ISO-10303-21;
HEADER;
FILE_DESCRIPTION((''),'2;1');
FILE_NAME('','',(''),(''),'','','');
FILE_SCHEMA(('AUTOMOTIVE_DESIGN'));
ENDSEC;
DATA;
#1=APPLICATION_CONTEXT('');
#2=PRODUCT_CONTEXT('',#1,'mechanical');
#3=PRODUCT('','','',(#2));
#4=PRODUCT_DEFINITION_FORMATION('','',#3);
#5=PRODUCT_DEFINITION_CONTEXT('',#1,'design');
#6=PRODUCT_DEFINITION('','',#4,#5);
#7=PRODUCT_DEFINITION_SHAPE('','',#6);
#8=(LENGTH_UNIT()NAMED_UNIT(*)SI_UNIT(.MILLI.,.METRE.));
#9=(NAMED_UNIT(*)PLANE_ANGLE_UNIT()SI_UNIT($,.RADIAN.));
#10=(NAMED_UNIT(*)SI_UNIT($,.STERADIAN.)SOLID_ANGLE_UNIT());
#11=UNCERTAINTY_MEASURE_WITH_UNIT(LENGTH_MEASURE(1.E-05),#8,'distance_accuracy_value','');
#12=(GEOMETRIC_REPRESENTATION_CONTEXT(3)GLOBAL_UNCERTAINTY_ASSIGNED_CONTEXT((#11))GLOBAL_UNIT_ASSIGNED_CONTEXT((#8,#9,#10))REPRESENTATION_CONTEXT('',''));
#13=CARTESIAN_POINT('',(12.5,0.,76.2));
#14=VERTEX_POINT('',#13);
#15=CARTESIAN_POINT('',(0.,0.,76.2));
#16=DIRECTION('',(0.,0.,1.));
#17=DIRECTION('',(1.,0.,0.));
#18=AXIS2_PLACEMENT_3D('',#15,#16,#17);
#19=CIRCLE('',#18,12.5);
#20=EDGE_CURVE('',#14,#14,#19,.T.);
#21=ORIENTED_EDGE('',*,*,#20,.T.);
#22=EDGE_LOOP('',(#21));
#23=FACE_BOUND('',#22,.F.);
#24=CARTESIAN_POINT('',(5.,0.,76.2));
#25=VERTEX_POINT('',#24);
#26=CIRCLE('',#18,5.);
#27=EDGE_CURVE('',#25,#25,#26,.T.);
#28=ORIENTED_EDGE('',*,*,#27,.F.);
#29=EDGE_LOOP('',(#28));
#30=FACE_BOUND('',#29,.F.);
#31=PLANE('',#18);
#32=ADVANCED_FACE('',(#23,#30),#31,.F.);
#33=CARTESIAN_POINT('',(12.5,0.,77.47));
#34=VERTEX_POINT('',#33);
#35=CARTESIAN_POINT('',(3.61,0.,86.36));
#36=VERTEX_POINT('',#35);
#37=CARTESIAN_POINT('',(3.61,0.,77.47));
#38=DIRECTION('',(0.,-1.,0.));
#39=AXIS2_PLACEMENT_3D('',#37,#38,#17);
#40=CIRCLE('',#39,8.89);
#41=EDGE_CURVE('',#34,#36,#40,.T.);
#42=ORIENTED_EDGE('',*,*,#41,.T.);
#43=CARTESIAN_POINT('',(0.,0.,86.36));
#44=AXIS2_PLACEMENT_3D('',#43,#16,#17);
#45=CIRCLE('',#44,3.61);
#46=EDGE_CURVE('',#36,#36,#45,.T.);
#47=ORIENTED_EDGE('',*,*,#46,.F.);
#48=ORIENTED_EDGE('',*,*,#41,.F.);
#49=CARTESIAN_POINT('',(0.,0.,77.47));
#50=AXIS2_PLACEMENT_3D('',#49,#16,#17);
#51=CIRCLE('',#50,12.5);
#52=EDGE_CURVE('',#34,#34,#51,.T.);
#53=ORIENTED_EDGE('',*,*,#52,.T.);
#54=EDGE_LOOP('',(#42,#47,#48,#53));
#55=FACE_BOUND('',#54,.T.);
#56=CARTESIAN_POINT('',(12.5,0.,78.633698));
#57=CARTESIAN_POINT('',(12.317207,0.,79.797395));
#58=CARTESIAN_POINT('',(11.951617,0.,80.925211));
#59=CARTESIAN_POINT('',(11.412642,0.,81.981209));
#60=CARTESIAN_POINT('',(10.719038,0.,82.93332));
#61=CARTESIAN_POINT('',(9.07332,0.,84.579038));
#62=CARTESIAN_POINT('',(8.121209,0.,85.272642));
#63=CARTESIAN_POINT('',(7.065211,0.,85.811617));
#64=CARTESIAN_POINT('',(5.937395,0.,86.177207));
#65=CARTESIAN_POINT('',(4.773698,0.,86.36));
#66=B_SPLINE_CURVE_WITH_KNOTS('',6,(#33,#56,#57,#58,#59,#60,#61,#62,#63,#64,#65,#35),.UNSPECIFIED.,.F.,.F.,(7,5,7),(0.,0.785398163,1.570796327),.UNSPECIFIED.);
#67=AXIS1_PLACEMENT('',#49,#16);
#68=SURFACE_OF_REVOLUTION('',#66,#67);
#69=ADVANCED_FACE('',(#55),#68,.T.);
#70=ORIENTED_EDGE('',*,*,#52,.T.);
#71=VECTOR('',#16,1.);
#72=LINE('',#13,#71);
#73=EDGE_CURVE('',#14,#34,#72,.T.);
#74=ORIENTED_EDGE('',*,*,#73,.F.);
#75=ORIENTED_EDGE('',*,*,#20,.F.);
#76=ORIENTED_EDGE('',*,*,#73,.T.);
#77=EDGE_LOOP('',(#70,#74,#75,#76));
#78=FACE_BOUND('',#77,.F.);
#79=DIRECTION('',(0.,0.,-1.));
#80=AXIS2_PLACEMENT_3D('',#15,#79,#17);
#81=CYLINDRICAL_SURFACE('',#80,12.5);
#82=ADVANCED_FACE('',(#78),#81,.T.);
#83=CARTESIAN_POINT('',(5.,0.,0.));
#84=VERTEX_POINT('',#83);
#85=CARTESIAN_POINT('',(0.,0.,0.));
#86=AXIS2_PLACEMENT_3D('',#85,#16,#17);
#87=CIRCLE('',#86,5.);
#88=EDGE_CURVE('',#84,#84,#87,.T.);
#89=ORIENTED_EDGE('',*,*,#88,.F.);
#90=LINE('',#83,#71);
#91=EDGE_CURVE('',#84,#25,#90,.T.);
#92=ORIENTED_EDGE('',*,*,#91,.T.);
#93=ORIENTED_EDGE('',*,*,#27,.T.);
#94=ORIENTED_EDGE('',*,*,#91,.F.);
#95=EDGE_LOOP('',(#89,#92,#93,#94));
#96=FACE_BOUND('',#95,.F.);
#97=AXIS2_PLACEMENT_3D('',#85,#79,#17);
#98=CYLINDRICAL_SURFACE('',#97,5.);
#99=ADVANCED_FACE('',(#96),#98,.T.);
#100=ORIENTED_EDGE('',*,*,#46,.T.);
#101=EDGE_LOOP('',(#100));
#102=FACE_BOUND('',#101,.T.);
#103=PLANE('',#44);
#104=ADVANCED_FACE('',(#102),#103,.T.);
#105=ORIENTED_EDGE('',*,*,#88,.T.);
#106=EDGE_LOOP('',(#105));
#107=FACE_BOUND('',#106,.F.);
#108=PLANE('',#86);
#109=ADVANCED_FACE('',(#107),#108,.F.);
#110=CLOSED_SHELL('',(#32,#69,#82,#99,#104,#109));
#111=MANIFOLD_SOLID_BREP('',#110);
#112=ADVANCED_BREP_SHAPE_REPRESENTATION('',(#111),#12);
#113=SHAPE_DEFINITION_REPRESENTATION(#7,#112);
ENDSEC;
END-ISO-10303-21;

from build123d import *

# Parameters (mm, degrees)
F0_R     = 5
F1_DEPTH = 76.2
F2_R     = 12.5
F2_R_2   = 5
F3_DEPTH = 10.16
F4_R     = 8.89


with BuildPart() as f1:
    # F0 (on Top) → F1 (new body)
    with BuildSketch(Plane.XY):
        Circle(F0_R)
    extrude(amount=F1_DEPTH)

    # F2 (on face) → F3 (join)
    with BuildSketch(Plane.XY.offset(76.2)):
        Circle(F2_R)
        Circle(F2_R_2, mode=Mode.SUBTRACT)
        Circle(F2_R_2)
    extrude(amount=F3_DEPTH)

    # F4
    f4_edges = [f1.edges().sort_by_distance(p)[0] for p in [
        (-12.5, 0, 86.36),
    ]]
    fillet(f4_edges, radius=F4_R)


solid = f1.part
